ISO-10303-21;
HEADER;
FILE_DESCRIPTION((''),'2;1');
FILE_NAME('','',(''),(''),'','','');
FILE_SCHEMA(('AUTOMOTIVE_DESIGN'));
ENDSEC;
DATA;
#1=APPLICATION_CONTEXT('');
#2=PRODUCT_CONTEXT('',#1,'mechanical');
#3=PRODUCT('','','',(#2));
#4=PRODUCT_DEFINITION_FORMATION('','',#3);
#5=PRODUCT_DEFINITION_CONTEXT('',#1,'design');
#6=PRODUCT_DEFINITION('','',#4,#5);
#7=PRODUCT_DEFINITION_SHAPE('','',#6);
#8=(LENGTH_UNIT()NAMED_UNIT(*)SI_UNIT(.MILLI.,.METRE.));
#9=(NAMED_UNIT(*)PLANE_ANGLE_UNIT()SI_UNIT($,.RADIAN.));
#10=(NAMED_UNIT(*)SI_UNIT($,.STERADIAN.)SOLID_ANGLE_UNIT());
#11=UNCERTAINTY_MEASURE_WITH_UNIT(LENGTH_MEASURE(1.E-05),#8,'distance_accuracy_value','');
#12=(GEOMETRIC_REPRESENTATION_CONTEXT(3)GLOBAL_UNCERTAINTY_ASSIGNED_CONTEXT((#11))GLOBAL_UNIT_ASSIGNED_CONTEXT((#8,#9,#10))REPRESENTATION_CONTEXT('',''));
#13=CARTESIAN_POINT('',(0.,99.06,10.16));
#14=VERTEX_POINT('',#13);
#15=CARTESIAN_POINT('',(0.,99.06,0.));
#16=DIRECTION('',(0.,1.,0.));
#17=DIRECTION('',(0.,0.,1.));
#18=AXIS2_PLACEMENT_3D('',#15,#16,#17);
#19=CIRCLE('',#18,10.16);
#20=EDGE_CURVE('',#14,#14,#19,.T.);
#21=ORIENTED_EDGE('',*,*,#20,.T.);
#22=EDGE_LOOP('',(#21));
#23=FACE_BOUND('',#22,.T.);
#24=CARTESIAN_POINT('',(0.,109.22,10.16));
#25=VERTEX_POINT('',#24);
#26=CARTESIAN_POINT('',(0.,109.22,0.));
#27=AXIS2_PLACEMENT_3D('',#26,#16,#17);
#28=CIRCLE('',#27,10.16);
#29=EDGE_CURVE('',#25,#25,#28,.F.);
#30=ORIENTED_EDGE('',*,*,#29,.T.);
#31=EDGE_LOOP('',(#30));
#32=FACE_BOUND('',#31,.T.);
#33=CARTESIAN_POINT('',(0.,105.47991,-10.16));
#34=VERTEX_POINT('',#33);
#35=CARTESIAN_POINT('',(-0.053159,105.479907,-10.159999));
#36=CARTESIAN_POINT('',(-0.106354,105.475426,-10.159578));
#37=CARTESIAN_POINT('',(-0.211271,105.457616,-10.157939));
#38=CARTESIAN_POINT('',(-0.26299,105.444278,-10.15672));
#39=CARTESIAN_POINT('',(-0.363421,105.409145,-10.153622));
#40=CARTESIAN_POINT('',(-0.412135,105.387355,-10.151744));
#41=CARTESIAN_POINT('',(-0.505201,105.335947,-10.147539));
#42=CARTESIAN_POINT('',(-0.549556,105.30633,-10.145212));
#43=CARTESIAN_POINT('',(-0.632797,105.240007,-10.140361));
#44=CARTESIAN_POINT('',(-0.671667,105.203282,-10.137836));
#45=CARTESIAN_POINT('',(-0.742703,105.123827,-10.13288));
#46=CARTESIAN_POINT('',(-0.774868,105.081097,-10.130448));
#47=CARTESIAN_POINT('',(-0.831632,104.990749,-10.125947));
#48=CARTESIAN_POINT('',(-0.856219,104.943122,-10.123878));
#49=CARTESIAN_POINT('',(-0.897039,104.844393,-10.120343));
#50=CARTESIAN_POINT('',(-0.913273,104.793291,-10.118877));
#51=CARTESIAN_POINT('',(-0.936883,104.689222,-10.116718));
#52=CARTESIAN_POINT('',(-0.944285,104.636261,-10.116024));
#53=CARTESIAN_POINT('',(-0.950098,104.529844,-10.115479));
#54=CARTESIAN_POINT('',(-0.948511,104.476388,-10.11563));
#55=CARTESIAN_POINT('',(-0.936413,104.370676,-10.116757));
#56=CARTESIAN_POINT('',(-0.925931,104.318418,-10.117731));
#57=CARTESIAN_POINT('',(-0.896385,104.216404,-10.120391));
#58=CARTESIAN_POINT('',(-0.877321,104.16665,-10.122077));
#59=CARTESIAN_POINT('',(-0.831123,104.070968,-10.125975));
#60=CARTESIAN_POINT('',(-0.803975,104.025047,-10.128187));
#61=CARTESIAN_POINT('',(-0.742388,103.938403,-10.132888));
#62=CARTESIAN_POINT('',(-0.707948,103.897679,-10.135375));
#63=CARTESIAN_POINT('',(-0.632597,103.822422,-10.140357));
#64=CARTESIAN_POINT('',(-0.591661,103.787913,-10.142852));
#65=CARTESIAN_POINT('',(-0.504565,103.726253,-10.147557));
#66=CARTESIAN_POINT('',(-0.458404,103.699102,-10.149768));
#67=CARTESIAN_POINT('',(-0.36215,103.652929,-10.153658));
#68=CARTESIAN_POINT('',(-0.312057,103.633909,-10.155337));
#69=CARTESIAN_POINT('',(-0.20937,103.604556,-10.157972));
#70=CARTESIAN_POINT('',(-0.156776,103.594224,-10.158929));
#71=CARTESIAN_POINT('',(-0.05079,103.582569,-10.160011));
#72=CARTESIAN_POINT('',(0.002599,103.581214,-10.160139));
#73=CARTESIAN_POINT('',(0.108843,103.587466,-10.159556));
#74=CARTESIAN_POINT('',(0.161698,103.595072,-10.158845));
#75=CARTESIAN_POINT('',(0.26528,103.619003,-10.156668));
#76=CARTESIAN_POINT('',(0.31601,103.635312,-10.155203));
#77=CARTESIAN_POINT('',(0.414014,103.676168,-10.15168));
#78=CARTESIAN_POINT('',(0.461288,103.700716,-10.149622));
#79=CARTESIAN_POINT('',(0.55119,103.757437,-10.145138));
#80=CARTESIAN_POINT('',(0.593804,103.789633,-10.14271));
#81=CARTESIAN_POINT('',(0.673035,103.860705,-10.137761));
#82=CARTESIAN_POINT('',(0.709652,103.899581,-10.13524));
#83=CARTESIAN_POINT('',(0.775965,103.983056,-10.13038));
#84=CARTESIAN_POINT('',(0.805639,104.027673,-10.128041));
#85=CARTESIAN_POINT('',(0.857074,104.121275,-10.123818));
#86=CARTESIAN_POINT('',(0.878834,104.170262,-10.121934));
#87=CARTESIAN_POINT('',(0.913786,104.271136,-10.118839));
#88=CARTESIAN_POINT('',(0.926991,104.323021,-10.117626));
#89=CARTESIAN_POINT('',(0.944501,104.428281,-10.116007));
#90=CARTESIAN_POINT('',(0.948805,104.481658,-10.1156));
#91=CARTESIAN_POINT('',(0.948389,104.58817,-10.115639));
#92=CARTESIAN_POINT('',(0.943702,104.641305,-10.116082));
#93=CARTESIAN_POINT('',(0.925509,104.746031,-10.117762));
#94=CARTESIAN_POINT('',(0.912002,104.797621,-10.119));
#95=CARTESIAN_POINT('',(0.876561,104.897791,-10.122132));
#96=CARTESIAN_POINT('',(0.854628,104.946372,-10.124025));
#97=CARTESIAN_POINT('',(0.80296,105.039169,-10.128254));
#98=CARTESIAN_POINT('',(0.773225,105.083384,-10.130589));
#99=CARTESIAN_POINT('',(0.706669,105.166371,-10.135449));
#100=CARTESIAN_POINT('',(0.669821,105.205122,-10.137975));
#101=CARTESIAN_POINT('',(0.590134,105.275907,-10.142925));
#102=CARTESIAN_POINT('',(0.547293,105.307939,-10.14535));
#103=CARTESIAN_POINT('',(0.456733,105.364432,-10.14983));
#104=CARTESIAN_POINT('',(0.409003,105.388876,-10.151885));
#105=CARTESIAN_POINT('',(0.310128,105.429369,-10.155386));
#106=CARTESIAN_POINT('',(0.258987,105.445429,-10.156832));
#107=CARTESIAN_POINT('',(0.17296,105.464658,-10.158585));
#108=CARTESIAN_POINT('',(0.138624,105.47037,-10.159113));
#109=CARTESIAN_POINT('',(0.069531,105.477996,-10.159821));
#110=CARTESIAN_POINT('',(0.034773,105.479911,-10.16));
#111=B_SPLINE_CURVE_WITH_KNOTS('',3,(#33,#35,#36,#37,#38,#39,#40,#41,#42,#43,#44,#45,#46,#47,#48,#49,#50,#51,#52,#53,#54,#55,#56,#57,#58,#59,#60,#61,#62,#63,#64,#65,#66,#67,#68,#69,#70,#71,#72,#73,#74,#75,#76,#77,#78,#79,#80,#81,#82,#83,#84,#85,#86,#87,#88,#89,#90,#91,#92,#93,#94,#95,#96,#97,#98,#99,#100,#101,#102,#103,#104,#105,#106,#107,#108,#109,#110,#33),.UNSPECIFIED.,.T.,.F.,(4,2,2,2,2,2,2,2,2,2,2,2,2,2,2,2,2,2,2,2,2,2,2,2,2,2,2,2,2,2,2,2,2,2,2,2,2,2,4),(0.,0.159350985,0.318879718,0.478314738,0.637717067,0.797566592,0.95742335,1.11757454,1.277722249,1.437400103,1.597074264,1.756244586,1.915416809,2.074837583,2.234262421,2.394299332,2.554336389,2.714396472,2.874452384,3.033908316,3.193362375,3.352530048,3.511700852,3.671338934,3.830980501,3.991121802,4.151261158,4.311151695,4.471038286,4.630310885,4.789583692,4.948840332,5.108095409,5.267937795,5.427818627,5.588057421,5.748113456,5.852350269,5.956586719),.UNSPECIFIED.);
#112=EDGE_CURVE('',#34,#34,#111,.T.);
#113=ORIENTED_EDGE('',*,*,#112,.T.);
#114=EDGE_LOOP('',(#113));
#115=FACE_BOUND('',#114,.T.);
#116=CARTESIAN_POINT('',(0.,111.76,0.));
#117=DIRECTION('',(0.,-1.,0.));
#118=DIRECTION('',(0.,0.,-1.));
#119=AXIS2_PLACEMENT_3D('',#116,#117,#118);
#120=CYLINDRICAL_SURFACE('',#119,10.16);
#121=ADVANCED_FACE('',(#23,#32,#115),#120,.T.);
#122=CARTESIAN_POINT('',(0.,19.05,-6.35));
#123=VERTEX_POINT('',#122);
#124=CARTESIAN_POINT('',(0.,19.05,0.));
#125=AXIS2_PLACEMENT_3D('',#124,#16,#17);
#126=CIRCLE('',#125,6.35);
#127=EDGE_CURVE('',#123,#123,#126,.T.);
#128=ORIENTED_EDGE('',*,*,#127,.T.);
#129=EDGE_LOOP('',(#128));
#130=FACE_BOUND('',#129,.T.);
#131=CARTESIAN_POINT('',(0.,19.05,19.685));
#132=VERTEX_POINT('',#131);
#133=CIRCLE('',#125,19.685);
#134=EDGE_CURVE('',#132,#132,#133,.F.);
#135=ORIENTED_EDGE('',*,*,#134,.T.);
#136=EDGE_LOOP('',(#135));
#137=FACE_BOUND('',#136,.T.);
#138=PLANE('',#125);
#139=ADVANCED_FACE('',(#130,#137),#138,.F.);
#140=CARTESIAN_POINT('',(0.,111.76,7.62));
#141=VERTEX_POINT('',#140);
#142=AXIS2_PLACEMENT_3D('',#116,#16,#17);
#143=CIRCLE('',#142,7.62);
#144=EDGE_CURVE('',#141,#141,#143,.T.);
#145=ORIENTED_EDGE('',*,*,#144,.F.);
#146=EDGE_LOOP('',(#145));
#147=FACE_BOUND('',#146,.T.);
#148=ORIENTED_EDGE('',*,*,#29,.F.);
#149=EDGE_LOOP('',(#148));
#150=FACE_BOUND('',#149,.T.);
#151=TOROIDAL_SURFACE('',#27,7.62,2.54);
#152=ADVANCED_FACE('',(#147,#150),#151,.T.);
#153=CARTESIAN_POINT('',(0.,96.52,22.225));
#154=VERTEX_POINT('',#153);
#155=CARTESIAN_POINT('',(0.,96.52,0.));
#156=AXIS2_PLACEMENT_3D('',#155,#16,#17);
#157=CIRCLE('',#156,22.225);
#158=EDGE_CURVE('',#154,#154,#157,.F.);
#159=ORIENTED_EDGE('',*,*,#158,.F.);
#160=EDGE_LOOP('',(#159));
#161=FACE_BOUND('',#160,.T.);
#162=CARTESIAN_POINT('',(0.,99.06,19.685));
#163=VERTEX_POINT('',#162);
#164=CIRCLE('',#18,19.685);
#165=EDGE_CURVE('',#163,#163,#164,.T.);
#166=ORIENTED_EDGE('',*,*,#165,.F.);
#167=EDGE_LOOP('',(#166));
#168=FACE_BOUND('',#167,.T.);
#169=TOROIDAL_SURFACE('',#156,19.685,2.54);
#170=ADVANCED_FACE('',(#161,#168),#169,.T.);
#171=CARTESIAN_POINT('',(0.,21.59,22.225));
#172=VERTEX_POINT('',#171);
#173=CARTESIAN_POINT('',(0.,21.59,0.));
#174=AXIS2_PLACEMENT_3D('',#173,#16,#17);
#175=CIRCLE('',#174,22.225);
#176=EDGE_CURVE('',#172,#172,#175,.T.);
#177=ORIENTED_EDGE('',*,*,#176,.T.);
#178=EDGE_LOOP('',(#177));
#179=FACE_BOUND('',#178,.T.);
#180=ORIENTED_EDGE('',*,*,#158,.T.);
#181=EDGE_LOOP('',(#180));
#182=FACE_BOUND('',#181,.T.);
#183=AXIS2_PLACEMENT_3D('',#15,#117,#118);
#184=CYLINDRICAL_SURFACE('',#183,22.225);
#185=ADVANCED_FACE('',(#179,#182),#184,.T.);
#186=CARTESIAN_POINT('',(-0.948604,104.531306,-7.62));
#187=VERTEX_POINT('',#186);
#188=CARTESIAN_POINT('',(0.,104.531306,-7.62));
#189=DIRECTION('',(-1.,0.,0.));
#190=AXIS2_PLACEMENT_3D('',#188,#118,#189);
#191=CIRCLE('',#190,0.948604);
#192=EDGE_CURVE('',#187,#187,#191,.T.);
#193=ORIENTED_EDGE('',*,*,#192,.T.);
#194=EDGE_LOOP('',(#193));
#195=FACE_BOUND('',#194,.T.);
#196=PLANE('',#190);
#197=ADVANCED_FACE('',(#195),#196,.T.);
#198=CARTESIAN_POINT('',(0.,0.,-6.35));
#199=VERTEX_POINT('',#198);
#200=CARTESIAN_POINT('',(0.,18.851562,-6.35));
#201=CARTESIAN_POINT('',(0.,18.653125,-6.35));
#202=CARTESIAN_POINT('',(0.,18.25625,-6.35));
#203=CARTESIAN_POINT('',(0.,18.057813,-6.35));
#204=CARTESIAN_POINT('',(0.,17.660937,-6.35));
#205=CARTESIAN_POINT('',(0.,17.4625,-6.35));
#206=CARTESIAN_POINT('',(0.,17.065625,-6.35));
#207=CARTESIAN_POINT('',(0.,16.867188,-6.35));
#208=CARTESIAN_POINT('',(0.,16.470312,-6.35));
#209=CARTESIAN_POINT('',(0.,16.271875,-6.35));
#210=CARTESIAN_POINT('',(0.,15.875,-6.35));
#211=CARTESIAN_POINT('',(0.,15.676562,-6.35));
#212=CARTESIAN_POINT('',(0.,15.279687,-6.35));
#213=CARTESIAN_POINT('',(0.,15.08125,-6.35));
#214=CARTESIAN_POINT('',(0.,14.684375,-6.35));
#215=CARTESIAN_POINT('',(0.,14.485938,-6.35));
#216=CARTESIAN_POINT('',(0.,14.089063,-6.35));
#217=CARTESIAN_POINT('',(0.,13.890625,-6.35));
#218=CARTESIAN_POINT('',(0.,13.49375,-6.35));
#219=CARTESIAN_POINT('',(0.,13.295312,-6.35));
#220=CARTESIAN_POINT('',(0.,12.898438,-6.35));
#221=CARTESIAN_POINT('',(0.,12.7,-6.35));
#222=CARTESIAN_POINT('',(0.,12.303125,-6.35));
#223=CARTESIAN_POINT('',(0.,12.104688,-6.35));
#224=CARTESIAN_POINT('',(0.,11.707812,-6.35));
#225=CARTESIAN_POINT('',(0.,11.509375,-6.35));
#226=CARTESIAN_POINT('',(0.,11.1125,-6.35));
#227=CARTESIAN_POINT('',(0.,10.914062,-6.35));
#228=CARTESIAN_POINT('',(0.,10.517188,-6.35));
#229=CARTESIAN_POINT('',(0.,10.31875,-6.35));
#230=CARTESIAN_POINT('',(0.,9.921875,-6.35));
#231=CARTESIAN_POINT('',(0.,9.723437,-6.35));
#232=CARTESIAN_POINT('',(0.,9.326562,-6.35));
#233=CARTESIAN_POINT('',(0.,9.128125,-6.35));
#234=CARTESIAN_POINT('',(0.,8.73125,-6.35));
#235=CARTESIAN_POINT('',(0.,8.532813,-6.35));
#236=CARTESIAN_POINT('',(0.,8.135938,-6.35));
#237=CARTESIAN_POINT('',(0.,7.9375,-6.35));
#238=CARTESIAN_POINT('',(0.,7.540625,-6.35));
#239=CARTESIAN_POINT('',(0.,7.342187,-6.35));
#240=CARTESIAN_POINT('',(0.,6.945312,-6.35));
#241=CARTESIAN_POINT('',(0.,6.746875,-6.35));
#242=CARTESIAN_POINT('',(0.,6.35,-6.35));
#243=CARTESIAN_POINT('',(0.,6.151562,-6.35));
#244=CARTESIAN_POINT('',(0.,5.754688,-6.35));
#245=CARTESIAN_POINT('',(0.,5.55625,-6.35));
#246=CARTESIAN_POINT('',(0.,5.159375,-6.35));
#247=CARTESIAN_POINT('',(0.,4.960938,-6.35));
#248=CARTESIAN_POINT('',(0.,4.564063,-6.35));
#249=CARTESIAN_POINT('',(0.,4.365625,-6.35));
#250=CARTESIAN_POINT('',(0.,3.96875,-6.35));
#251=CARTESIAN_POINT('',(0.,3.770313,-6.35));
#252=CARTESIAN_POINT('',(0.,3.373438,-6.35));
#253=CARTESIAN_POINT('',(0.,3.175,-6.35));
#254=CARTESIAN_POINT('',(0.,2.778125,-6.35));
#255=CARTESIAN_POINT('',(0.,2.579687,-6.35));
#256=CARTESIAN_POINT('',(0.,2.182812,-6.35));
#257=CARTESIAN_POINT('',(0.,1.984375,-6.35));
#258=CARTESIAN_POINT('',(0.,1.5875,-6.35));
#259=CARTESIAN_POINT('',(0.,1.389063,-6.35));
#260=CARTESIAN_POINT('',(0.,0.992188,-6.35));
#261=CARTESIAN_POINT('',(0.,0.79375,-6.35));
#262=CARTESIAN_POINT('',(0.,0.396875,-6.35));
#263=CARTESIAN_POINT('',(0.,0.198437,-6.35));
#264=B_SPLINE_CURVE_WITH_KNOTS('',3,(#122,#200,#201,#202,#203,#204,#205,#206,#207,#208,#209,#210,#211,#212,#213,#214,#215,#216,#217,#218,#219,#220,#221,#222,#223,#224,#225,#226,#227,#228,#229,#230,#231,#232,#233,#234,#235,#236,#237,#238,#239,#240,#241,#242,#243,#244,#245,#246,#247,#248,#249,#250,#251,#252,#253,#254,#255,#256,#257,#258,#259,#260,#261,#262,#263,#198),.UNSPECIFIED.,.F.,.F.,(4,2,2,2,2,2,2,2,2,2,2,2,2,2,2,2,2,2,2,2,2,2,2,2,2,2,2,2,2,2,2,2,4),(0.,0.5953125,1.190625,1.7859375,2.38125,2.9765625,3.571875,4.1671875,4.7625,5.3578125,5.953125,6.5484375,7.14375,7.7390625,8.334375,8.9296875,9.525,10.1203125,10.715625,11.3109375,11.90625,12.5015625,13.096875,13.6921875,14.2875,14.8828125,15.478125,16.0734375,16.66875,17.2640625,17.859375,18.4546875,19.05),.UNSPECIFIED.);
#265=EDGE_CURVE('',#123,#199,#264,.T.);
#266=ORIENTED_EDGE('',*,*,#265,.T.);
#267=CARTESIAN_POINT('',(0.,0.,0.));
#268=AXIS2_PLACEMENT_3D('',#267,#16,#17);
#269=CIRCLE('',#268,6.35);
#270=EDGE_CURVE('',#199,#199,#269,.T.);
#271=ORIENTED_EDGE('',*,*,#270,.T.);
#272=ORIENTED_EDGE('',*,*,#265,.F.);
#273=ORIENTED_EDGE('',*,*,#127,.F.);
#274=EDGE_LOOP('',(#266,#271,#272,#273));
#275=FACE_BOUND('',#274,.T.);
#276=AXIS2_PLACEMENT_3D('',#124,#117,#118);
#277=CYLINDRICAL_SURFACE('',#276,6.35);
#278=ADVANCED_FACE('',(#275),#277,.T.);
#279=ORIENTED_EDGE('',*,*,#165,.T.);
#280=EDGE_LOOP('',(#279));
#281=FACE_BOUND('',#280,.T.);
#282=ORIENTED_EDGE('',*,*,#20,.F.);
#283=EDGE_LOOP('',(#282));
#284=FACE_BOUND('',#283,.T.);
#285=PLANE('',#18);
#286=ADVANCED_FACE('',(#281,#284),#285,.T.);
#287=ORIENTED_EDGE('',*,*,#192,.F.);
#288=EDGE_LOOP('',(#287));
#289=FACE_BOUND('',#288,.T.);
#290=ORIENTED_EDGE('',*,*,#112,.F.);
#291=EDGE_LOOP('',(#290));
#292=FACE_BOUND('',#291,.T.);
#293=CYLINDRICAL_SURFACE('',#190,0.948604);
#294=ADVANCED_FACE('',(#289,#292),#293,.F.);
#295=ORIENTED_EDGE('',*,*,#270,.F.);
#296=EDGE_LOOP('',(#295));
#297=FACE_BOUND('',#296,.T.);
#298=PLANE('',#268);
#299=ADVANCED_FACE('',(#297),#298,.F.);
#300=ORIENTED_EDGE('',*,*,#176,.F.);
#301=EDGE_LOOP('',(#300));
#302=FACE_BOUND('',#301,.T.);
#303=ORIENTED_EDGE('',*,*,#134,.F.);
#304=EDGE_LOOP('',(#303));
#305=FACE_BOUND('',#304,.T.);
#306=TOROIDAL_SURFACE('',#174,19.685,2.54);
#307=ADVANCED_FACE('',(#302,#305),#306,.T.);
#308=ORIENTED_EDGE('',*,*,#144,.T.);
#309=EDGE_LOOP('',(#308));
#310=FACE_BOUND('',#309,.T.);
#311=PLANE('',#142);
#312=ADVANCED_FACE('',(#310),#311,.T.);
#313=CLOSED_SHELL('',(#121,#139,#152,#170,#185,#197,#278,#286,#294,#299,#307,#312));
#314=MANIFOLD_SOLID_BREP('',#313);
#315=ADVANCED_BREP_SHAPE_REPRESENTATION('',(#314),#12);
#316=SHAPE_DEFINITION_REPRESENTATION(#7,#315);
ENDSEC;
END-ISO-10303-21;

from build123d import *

# Parameters (mm, degrees)
SKETCH1_R           = 6.35
BOSS_EXTRUDE1_DEPTH = 19.05
SKETCH3_R           = 22.225
BOSS_EXTRUDE2_DEPTH = 80.01
SKETCH4_R           = 10.16
BOSS_EXTRUDE3_DEPTH = 12.7
FILLET2_R           = 2.54
FILLET3_R           = 2.54
FILLET4_R           = 2.54
SKETCH5_R           = 0.948603759
CUT_EXTRUDE1_DEPTH  = 2.54


with BuildPart() as part:
    # Sketch1 → Boss-Extrude1 (new body)
    with BuildSketch(Plane(origin=(0, 0, 0), x_dir=(1, 0, 0), z_dir=(0, 1, 0))):
        with Locations(Location((0, 0, 0), (0, 0, 90))):
            Circle(SKETCH1_R)
    extrude(amount=BOSS_EXTRUDE1_DEPTH)

    # Sketch3 → Boss-Extrude2 (add)
    with BuildSketch(Plane(origin=(0, 19.05, 0), x_dir=(1, 0, 0), z_dir=(0, 1, 0))):
        with Locations(Location((0, 0, 0), (0, 0, 270))):
            Circle(SKETCH3_R)
    extrude(amount=BOSS_EXTRUDE2_DEPTH)

    # Sketch4 → Boss-Extrude3 (add)
    with BuildSketch(Plane(origin=(0, 99.06, 0), x_dir=(1, 0, 0), z_dir=(0, 1, 0))):
        with Locations(Location((0, 0, 0), (0, 0, 270))):
            Circle(SKETCH4_R)
    extrude(amount=BOSS_EXTRUDE3_DEPTH)

    # Fillet2
    fillet2_edges = [part.edges().sort_by_distance(p)[0] for p in [
        (0, 111.76, -10.16),
    ]]
    fillet(fillet2_edges, radius=FILLET2_R)

    # Fillet3
    fillet3_edges = [part.edges().sort_by_distance(p)[0] for p in [
        (0, 99.06, -22.225),
    ]]
    fillet(fillet3_edges, radius=FILLET3_R)

    # Fillet4
    fillet4_edges = [part.edges().sort_by_distance(p)[0] for p in [
        (0, 19.05, -22.225),
    ]]
    fillet(fillet4_edges, radius=FILLET4_R)

    # Sketch5 → Cut-Extrude1 (cut)
    with BuildSketch(Plane(origin=(0, 0, -10.16), x_dir=(-1, 0, 0), z_dir=(0, 0, -1))):
        with Locations((0, 104.531305945)):
            Circle(SKETCH5_R)
    extrude(amount=-CUT_EXTRUDE1_DEPTH, mode=Mode.SUBTRACT)


solid = part.part
